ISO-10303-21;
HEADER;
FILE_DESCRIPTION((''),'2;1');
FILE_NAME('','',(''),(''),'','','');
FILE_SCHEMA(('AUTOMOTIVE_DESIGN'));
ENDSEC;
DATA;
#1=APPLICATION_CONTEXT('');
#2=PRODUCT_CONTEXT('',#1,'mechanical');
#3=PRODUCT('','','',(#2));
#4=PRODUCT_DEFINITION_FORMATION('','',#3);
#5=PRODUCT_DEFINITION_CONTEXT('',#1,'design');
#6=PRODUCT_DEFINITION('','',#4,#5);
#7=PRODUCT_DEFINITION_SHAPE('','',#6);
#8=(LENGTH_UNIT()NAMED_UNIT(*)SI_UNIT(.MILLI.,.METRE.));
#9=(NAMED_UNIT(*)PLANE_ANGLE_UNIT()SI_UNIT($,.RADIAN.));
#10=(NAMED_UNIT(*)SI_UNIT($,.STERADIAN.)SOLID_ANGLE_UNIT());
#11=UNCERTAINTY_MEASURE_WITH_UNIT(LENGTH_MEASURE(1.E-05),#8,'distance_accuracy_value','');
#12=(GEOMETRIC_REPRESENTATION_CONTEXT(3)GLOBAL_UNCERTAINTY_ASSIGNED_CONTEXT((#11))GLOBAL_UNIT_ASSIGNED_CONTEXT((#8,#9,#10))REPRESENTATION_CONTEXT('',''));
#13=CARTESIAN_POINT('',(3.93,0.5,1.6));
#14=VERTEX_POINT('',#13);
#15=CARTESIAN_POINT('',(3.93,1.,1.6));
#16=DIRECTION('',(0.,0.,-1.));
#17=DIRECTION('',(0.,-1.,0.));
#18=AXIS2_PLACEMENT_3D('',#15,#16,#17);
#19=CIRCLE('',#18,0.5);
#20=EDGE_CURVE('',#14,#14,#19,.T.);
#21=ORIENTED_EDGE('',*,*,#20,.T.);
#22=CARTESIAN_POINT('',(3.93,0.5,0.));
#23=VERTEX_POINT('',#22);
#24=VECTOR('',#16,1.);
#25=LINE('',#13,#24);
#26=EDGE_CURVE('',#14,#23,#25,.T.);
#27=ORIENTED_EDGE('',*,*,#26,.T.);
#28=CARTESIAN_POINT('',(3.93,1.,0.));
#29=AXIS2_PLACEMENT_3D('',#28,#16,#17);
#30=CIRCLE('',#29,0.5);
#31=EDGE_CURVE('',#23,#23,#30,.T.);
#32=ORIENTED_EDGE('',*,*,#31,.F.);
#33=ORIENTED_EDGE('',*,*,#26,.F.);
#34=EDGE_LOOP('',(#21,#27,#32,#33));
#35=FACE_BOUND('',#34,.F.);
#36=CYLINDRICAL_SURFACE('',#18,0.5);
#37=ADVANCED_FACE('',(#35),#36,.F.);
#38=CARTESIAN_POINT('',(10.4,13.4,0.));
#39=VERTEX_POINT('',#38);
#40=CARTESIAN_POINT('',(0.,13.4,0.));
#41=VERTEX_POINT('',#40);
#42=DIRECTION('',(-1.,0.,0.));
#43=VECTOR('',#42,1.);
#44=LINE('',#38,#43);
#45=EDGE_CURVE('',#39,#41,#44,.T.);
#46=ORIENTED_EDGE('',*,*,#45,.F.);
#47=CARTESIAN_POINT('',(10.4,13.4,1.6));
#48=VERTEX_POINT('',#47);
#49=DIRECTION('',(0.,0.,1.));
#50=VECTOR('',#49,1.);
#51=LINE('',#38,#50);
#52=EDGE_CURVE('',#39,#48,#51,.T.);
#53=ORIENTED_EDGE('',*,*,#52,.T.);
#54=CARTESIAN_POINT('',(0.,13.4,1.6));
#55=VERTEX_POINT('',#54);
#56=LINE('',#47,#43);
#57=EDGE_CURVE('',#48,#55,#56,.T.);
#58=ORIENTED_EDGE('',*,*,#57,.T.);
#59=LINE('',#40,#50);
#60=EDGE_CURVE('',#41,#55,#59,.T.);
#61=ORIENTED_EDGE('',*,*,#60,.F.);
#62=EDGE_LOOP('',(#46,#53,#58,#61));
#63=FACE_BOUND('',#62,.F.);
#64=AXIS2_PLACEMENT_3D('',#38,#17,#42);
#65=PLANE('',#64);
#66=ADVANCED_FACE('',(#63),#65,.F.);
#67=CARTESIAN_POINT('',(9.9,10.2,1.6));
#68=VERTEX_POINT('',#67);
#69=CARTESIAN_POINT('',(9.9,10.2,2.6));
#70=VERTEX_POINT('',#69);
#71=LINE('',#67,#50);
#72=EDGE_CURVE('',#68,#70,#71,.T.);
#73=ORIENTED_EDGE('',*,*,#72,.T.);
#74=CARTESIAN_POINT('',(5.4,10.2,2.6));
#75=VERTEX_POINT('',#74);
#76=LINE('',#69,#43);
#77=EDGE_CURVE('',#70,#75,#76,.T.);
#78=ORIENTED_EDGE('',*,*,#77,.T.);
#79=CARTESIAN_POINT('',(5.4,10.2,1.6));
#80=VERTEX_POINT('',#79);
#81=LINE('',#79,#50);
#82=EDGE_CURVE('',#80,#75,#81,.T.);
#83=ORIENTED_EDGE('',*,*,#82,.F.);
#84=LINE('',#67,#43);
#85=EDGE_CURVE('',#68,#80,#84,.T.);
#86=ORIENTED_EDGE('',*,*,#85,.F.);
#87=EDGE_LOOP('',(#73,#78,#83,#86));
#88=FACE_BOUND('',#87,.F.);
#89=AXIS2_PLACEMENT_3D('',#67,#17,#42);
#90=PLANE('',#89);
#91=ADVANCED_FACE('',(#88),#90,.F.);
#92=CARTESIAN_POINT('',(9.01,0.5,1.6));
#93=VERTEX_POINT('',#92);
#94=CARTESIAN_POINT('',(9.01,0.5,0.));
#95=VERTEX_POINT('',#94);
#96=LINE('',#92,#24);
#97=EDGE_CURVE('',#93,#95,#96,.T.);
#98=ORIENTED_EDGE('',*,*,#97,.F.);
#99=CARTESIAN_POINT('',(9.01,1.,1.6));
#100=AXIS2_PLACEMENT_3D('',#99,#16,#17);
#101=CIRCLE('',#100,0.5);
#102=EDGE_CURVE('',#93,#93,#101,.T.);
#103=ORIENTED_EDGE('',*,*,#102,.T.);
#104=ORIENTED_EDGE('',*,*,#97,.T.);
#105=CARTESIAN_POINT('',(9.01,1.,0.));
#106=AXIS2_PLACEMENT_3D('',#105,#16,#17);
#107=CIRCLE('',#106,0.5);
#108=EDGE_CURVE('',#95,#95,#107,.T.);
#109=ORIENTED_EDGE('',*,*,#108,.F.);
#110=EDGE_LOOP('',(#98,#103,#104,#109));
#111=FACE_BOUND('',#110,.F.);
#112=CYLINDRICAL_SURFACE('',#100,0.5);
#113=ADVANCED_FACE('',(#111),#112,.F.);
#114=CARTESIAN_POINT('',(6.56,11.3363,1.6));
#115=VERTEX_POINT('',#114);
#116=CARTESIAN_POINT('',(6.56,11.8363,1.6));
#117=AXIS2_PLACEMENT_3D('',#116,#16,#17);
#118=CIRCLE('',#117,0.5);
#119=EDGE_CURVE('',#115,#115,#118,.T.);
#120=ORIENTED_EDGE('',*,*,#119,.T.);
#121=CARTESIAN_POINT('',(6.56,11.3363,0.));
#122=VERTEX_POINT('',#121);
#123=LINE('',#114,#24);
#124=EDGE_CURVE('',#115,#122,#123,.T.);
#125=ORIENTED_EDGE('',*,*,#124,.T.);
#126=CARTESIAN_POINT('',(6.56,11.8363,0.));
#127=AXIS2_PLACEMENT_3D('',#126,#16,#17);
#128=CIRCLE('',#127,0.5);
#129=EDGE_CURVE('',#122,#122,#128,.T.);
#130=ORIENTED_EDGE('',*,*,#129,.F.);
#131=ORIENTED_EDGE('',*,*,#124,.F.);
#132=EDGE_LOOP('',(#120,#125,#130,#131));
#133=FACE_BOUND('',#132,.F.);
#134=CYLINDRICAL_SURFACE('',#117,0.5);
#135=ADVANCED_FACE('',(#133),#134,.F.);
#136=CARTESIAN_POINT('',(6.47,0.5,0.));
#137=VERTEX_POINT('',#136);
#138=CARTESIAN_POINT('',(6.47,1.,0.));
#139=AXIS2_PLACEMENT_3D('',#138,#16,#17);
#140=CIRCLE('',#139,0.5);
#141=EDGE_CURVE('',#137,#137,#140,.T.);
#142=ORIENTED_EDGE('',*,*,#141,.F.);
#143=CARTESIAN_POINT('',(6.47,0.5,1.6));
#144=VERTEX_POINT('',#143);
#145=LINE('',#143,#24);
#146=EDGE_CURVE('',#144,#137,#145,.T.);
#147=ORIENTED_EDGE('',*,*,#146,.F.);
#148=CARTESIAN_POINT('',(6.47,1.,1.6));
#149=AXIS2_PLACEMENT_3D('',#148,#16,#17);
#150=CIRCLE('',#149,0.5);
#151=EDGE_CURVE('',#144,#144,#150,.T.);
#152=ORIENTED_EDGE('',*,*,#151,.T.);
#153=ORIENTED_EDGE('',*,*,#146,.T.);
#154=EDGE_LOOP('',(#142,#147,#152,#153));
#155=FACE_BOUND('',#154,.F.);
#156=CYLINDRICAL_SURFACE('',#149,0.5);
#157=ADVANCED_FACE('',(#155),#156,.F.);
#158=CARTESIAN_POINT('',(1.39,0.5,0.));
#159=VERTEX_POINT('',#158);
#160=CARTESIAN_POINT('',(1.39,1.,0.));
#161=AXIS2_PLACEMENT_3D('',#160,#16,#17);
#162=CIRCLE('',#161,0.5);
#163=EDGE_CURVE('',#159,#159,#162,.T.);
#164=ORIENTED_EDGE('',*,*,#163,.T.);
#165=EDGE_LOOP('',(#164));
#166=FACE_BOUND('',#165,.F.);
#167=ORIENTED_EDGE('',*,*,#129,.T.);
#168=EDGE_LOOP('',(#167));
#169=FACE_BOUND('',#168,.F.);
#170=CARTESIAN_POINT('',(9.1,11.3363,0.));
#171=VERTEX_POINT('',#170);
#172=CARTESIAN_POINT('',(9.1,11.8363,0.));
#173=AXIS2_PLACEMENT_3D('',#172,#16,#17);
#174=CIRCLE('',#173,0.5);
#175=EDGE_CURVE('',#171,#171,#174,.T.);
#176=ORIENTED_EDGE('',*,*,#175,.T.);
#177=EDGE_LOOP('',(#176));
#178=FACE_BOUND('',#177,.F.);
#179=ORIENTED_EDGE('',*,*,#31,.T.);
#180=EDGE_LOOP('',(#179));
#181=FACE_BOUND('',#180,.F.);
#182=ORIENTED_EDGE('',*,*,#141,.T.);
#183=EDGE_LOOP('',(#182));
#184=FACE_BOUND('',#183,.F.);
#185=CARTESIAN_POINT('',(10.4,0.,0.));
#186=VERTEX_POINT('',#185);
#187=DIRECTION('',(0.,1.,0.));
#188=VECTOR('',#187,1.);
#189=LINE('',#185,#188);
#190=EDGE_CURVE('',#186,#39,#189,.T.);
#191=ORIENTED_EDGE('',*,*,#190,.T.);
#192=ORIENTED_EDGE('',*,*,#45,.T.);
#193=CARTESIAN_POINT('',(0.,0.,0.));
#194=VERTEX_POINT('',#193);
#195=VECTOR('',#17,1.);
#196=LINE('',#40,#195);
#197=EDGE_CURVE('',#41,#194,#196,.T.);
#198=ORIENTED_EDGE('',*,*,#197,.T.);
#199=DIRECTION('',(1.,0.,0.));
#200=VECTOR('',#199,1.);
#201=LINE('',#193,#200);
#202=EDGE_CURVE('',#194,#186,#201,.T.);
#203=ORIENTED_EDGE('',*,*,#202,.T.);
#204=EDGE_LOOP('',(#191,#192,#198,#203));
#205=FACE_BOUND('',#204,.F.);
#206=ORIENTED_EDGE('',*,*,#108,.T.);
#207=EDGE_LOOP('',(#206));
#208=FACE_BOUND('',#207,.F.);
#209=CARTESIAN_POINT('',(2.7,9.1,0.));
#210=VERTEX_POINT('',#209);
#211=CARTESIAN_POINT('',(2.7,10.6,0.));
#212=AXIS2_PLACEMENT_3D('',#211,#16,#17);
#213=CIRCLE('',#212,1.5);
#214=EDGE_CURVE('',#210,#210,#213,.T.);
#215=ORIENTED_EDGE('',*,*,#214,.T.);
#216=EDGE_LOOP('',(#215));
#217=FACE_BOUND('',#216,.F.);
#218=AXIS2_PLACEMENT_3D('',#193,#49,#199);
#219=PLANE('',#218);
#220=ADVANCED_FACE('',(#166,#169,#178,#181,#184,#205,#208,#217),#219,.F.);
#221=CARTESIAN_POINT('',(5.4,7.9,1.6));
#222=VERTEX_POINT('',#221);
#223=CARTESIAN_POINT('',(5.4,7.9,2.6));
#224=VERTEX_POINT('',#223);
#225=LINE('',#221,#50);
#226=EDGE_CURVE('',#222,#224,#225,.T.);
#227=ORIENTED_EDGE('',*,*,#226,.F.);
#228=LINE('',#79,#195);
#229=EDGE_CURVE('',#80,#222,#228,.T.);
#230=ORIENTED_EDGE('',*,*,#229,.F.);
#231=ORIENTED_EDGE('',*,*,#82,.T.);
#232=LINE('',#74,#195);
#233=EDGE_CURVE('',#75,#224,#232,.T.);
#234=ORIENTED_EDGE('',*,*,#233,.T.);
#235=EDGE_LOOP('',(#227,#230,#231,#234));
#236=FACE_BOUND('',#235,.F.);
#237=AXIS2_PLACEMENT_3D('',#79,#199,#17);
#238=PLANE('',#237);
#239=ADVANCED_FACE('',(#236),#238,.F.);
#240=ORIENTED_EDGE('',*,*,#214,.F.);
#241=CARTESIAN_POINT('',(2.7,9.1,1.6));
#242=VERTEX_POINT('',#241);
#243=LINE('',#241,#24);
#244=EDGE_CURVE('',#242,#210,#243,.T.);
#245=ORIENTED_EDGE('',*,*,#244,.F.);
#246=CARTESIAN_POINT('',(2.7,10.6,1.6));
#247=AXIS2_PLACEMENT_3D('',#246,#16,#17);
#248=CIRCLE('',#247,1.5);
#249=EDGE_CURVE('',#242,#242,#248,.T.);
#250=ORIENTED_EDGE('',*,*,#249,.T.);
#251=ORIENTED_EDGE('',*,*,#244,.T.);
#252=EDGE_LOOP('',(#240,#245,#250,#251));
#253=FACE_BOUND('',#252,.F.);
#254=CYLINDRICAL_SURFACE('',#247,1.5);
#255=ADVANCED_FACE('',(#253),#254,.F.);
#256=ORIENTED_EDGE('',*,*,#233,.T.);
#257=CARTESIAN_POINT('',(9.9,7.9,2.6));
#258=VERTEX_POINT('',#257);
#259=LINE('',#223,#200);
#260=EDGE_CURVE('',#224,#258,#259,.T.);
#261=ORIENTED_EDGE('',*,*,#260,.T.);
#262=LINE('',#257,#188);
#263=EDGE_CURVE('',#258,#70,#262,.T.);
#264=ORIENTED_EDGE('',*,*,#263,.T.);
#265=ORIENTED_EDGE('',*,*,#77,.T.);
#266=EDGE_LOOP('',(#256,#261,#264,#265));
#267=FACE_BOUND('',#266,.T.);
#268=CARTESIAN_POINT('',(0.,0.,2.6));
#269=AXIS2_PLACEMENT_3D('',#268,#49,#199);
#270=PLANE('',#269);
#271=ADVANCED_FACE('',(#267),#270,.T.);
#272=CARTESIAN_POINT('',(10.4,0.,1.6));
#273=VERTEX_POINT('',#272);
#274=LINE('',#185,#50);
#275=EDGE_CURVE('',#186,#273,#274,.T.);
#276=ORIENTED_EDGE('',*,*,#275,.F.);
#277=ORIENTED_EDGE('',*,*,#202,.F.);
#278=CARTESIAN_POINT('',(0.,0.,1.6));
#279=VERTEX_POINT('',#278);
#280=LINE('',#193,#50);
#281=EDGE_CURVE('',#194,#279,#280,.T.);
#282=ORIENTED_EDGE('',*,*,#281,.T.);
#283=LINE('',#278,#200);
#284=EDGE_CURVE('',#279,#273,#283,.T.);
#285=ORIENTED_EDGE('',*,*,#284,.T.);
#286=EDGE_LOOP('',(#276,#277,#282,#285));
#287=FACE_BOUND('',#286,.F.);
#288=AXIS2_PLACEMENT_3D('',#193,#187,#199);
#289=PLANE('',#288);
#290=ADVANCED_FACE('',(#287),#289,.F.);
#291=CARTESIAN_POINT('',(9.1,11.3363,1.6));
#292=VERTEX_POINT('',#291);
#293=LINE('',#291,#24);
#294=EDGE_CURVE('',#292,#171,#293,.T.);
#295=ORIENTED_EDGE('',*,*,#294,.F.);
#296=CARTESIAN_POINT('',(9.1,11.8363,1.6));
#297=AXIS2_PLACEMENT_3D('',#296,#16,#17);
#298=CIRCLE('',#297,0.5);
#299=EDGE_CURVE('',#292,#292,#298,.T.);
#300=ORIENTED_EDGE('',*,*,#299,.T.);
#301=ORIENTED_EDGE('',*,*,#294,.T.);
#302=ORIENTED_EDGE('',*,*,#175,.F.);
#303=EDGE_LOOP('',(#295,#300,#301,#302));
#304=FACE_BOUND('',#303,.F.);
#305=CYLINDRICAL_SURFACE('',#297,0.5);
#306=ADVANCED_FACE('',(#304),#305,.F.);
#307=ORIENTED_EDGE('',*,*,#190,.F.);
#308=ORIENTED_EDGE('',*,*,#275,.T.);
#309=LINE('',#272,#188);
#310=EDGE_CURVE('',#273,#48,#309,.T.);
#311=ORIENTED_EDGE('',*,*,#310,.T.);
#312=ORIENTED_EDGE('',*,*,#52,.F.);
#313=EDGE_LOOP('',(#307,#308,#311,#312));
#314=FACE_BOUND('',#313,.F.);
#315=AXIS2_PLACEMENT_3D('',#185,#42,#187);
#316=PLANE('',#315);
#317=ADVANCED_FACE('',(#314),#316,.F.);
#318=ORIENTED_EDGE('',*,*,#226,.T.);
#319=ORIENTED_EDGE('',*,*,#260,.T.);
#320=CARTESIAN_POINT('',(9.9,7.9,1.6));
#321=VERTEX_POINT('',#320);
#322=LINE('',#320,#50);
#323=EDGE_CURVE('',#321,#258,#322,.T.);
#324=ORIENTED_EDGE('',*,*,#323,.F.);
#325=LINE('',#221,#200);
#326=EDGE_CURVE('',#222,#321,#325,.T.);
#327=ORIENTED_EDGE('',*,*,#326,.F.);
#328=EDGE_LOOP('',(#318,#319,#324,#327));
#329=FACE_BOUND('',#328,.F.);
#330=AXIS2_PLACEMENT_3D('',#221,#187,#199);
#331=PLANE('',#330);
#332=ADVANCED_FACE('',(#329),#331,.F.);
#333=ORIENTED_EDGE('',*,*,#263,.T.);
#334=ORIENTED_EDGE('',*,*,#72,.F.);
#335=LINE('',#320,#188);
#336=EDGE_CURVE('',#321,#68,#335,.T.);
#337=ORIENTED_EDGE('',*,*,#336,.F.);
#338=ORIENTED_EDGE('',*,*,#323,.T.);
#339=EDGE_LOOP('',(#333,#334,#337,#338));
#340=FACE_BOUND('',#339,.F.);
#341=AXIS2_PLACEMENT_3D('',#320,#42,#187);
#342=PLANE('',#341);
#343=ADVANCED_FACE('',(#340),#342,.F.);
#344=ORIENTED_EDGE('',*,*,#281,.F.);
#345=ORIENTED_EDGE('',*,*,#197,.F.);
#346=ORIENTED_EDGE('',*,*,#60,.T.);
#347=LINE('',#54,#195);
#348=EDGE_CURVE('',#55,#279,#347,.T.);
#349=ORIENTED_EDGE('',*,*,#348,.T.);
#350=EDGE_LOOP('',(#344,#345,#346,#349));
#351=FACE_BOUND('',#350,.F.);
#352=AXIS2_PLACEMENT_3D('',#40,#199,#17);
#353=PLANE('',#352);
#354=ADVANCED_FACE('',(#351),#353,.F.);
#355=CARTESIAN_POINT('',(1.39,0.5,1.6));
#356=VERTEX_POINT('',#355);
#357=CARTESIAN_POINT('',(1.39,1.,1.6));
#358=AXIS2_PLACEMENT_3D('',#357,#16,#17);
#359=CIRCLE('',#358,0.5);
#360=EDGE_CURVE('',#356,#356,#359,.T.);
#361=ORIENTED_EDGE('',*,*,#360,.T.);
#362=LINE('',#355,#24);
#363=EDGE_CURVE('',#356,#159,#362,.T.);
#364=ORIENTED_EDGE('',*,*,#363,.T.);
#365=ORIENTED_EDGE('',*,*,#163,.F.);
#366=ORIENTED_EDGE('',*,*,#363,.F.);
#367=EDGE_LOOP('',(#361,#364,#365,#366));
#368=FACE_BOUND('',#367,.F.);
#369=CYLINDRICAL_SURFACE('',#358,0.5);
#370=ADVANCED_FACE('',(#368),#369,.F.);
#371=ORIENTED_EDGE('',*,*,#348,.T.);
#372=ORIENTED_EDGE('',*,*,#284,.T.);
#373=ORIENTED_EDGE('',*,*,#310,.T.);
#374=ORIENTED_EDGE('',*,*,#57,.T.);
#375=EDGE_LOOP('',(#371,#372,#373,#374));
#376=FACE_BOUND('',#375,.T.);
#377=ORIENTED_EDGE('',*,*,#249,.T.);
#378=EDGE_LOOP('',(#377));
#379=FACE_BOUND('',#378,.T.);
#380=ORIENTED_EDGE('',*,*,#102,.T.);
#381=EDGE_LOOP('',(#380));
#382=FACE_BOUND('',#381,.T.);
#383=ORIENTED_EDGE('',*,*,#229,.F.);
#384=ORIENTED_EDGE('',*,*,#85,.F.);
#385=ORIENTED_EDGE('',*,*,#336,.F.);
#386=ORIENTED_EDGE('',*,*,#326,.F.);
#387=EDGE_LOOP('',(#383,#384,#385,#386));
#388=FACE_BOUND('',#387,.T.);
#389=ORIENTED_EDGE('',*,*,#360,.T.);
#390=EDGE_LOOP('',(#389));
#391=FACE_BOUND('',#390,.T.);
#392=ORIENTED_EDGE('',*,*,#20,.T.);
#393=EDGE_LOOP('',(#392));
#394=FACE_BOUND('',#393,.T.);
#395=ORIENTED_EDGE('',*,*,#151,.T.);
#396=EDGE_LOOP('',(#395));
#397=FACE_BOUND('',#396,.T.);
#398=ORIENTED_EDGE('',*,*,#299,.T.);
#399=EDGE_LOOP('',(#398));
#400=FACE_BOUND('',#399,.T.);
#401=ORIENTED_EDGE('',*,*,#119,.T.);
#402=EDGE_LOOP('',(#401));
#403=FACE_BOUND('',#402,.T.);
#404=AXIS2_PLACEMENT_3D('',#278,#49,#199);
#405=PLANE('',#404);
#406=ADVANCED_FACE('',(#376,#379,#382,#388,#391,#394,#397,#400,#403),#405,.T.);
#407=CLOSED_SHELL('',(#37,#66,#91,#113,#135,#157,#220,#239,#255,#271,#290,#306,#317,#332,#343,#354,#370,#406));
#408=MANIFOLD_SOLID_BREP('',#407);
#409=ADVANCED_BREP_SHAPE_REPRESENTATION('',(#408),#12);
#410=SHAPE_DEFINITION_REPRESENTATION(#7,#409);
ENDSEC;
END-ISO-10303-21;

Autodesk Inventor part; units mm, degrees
ref_plane "YZ Plane" through (0, 0, 0) normal (1, 0, 0) x (0, 1, 0)
ref_plane "XZ Plane" through (0, 0, 0) normal (0, 1, 0) x (-1, 0, 0)
ref_plane "XY Plane" through (0, 0, 0) normal (0, 0, 1) x (1, 0, 0)
sketch "Sketch1" plane through (0, 0, 0) normal (0, 0, 1) x (1, 0, 0)
  line L0 (0, 0) -> (10.4, 0)
  line L1 (10.4, 0) -> (10.4, 13.4)
  line L2 (10.4, 13.4) -> (0, 13.4)
  line L3 (0, 13.4) -> (0, 0)
  dimension "d0" = 10.4
  dimension "d1" = 13.4
extrude "Extrusion1" add sketch "Sketch1" along normal blind 1.6
sketch "Sketch2" plane through (0, 0, 1.6) normal (0, 0, 1) x (1, 0, 0)
  line L0 (10.4, 13.4) -> (0, 13.4) projected
  line L1 (0, 13.4) -> (0, 0) projected
  point P0 (2.7, 10.6)
  dimension "d4" = 2.8
  dimension "d5" = 2.7
hole "Hole1" at (2.7, 10.6, 1.6) direction (0, 0, -1) diameter 3 depth 1.6
sketch "Sketch3" plane through (0, 0, 1.6) normal (0, 0, 1) x (1, 0, 0)
  line L0 (0, 13.4) -> (0, 0) projected
  line L1 (10.4, 0) -> (10.4, 13.4) projected
  line L2 (0, 0) -> (10.4, 0) projected
  point P0 (1.39, 1)
  point P1 (3.93, 1)
  point P2 (6.47, 1)
  point P3 (9.01, 1)
  point P4 (6.56, 11.8363)
  point P5 (9.1, 11.8363)
  dimension "d13" = 2.54
  dimension "d14" = 2.54
  dimension "d15" = 2.54
  dimension "d16" = 1.39
  dimension "d17" = 2.54
  dimension "d18" = 1.3
  dimension "d19" = 1
hole "Hole2" at (1.39, 1, 1.6) at (3.93, 1, 1.6) at (6.47, 1, 1.6) at (9.01, 1, 1.6) at (6.56, 11.8363, 1.6) at (9.1, 11.8363, 1.6) direction (0, 0, -1) diameter 1 end through all
sketch "Sketch4" plane through (0, 0, 1.6) normal (0, 0, 1) x (1, 0, 0)
  line L0 (5.4, 7.9) -> (9.9, 7.9)
  line L1 (9.9, 7.9) -> (9.9, 10.2)
  line L2 (9.9, 10.2) -> (5.4, 10.2)
  line L3 (5.4, 10.2) -> (5.4, 7.9)
  line L4 (10.4, 0) -> (10.4, 13.4) projected
  line L5 (10.4, 13.4) -> (0, 13.4) projected
  point P0 (0, 0)
  dimension "d27" = 4.5
  dimension "d28" = 2.3
  dimension "d29" = 0.5
  dimension "d30" = 3.2
extrude "Extrusion2" add sketch "Sketch4" along normal blind 1
properties part number "vl53l0x"
